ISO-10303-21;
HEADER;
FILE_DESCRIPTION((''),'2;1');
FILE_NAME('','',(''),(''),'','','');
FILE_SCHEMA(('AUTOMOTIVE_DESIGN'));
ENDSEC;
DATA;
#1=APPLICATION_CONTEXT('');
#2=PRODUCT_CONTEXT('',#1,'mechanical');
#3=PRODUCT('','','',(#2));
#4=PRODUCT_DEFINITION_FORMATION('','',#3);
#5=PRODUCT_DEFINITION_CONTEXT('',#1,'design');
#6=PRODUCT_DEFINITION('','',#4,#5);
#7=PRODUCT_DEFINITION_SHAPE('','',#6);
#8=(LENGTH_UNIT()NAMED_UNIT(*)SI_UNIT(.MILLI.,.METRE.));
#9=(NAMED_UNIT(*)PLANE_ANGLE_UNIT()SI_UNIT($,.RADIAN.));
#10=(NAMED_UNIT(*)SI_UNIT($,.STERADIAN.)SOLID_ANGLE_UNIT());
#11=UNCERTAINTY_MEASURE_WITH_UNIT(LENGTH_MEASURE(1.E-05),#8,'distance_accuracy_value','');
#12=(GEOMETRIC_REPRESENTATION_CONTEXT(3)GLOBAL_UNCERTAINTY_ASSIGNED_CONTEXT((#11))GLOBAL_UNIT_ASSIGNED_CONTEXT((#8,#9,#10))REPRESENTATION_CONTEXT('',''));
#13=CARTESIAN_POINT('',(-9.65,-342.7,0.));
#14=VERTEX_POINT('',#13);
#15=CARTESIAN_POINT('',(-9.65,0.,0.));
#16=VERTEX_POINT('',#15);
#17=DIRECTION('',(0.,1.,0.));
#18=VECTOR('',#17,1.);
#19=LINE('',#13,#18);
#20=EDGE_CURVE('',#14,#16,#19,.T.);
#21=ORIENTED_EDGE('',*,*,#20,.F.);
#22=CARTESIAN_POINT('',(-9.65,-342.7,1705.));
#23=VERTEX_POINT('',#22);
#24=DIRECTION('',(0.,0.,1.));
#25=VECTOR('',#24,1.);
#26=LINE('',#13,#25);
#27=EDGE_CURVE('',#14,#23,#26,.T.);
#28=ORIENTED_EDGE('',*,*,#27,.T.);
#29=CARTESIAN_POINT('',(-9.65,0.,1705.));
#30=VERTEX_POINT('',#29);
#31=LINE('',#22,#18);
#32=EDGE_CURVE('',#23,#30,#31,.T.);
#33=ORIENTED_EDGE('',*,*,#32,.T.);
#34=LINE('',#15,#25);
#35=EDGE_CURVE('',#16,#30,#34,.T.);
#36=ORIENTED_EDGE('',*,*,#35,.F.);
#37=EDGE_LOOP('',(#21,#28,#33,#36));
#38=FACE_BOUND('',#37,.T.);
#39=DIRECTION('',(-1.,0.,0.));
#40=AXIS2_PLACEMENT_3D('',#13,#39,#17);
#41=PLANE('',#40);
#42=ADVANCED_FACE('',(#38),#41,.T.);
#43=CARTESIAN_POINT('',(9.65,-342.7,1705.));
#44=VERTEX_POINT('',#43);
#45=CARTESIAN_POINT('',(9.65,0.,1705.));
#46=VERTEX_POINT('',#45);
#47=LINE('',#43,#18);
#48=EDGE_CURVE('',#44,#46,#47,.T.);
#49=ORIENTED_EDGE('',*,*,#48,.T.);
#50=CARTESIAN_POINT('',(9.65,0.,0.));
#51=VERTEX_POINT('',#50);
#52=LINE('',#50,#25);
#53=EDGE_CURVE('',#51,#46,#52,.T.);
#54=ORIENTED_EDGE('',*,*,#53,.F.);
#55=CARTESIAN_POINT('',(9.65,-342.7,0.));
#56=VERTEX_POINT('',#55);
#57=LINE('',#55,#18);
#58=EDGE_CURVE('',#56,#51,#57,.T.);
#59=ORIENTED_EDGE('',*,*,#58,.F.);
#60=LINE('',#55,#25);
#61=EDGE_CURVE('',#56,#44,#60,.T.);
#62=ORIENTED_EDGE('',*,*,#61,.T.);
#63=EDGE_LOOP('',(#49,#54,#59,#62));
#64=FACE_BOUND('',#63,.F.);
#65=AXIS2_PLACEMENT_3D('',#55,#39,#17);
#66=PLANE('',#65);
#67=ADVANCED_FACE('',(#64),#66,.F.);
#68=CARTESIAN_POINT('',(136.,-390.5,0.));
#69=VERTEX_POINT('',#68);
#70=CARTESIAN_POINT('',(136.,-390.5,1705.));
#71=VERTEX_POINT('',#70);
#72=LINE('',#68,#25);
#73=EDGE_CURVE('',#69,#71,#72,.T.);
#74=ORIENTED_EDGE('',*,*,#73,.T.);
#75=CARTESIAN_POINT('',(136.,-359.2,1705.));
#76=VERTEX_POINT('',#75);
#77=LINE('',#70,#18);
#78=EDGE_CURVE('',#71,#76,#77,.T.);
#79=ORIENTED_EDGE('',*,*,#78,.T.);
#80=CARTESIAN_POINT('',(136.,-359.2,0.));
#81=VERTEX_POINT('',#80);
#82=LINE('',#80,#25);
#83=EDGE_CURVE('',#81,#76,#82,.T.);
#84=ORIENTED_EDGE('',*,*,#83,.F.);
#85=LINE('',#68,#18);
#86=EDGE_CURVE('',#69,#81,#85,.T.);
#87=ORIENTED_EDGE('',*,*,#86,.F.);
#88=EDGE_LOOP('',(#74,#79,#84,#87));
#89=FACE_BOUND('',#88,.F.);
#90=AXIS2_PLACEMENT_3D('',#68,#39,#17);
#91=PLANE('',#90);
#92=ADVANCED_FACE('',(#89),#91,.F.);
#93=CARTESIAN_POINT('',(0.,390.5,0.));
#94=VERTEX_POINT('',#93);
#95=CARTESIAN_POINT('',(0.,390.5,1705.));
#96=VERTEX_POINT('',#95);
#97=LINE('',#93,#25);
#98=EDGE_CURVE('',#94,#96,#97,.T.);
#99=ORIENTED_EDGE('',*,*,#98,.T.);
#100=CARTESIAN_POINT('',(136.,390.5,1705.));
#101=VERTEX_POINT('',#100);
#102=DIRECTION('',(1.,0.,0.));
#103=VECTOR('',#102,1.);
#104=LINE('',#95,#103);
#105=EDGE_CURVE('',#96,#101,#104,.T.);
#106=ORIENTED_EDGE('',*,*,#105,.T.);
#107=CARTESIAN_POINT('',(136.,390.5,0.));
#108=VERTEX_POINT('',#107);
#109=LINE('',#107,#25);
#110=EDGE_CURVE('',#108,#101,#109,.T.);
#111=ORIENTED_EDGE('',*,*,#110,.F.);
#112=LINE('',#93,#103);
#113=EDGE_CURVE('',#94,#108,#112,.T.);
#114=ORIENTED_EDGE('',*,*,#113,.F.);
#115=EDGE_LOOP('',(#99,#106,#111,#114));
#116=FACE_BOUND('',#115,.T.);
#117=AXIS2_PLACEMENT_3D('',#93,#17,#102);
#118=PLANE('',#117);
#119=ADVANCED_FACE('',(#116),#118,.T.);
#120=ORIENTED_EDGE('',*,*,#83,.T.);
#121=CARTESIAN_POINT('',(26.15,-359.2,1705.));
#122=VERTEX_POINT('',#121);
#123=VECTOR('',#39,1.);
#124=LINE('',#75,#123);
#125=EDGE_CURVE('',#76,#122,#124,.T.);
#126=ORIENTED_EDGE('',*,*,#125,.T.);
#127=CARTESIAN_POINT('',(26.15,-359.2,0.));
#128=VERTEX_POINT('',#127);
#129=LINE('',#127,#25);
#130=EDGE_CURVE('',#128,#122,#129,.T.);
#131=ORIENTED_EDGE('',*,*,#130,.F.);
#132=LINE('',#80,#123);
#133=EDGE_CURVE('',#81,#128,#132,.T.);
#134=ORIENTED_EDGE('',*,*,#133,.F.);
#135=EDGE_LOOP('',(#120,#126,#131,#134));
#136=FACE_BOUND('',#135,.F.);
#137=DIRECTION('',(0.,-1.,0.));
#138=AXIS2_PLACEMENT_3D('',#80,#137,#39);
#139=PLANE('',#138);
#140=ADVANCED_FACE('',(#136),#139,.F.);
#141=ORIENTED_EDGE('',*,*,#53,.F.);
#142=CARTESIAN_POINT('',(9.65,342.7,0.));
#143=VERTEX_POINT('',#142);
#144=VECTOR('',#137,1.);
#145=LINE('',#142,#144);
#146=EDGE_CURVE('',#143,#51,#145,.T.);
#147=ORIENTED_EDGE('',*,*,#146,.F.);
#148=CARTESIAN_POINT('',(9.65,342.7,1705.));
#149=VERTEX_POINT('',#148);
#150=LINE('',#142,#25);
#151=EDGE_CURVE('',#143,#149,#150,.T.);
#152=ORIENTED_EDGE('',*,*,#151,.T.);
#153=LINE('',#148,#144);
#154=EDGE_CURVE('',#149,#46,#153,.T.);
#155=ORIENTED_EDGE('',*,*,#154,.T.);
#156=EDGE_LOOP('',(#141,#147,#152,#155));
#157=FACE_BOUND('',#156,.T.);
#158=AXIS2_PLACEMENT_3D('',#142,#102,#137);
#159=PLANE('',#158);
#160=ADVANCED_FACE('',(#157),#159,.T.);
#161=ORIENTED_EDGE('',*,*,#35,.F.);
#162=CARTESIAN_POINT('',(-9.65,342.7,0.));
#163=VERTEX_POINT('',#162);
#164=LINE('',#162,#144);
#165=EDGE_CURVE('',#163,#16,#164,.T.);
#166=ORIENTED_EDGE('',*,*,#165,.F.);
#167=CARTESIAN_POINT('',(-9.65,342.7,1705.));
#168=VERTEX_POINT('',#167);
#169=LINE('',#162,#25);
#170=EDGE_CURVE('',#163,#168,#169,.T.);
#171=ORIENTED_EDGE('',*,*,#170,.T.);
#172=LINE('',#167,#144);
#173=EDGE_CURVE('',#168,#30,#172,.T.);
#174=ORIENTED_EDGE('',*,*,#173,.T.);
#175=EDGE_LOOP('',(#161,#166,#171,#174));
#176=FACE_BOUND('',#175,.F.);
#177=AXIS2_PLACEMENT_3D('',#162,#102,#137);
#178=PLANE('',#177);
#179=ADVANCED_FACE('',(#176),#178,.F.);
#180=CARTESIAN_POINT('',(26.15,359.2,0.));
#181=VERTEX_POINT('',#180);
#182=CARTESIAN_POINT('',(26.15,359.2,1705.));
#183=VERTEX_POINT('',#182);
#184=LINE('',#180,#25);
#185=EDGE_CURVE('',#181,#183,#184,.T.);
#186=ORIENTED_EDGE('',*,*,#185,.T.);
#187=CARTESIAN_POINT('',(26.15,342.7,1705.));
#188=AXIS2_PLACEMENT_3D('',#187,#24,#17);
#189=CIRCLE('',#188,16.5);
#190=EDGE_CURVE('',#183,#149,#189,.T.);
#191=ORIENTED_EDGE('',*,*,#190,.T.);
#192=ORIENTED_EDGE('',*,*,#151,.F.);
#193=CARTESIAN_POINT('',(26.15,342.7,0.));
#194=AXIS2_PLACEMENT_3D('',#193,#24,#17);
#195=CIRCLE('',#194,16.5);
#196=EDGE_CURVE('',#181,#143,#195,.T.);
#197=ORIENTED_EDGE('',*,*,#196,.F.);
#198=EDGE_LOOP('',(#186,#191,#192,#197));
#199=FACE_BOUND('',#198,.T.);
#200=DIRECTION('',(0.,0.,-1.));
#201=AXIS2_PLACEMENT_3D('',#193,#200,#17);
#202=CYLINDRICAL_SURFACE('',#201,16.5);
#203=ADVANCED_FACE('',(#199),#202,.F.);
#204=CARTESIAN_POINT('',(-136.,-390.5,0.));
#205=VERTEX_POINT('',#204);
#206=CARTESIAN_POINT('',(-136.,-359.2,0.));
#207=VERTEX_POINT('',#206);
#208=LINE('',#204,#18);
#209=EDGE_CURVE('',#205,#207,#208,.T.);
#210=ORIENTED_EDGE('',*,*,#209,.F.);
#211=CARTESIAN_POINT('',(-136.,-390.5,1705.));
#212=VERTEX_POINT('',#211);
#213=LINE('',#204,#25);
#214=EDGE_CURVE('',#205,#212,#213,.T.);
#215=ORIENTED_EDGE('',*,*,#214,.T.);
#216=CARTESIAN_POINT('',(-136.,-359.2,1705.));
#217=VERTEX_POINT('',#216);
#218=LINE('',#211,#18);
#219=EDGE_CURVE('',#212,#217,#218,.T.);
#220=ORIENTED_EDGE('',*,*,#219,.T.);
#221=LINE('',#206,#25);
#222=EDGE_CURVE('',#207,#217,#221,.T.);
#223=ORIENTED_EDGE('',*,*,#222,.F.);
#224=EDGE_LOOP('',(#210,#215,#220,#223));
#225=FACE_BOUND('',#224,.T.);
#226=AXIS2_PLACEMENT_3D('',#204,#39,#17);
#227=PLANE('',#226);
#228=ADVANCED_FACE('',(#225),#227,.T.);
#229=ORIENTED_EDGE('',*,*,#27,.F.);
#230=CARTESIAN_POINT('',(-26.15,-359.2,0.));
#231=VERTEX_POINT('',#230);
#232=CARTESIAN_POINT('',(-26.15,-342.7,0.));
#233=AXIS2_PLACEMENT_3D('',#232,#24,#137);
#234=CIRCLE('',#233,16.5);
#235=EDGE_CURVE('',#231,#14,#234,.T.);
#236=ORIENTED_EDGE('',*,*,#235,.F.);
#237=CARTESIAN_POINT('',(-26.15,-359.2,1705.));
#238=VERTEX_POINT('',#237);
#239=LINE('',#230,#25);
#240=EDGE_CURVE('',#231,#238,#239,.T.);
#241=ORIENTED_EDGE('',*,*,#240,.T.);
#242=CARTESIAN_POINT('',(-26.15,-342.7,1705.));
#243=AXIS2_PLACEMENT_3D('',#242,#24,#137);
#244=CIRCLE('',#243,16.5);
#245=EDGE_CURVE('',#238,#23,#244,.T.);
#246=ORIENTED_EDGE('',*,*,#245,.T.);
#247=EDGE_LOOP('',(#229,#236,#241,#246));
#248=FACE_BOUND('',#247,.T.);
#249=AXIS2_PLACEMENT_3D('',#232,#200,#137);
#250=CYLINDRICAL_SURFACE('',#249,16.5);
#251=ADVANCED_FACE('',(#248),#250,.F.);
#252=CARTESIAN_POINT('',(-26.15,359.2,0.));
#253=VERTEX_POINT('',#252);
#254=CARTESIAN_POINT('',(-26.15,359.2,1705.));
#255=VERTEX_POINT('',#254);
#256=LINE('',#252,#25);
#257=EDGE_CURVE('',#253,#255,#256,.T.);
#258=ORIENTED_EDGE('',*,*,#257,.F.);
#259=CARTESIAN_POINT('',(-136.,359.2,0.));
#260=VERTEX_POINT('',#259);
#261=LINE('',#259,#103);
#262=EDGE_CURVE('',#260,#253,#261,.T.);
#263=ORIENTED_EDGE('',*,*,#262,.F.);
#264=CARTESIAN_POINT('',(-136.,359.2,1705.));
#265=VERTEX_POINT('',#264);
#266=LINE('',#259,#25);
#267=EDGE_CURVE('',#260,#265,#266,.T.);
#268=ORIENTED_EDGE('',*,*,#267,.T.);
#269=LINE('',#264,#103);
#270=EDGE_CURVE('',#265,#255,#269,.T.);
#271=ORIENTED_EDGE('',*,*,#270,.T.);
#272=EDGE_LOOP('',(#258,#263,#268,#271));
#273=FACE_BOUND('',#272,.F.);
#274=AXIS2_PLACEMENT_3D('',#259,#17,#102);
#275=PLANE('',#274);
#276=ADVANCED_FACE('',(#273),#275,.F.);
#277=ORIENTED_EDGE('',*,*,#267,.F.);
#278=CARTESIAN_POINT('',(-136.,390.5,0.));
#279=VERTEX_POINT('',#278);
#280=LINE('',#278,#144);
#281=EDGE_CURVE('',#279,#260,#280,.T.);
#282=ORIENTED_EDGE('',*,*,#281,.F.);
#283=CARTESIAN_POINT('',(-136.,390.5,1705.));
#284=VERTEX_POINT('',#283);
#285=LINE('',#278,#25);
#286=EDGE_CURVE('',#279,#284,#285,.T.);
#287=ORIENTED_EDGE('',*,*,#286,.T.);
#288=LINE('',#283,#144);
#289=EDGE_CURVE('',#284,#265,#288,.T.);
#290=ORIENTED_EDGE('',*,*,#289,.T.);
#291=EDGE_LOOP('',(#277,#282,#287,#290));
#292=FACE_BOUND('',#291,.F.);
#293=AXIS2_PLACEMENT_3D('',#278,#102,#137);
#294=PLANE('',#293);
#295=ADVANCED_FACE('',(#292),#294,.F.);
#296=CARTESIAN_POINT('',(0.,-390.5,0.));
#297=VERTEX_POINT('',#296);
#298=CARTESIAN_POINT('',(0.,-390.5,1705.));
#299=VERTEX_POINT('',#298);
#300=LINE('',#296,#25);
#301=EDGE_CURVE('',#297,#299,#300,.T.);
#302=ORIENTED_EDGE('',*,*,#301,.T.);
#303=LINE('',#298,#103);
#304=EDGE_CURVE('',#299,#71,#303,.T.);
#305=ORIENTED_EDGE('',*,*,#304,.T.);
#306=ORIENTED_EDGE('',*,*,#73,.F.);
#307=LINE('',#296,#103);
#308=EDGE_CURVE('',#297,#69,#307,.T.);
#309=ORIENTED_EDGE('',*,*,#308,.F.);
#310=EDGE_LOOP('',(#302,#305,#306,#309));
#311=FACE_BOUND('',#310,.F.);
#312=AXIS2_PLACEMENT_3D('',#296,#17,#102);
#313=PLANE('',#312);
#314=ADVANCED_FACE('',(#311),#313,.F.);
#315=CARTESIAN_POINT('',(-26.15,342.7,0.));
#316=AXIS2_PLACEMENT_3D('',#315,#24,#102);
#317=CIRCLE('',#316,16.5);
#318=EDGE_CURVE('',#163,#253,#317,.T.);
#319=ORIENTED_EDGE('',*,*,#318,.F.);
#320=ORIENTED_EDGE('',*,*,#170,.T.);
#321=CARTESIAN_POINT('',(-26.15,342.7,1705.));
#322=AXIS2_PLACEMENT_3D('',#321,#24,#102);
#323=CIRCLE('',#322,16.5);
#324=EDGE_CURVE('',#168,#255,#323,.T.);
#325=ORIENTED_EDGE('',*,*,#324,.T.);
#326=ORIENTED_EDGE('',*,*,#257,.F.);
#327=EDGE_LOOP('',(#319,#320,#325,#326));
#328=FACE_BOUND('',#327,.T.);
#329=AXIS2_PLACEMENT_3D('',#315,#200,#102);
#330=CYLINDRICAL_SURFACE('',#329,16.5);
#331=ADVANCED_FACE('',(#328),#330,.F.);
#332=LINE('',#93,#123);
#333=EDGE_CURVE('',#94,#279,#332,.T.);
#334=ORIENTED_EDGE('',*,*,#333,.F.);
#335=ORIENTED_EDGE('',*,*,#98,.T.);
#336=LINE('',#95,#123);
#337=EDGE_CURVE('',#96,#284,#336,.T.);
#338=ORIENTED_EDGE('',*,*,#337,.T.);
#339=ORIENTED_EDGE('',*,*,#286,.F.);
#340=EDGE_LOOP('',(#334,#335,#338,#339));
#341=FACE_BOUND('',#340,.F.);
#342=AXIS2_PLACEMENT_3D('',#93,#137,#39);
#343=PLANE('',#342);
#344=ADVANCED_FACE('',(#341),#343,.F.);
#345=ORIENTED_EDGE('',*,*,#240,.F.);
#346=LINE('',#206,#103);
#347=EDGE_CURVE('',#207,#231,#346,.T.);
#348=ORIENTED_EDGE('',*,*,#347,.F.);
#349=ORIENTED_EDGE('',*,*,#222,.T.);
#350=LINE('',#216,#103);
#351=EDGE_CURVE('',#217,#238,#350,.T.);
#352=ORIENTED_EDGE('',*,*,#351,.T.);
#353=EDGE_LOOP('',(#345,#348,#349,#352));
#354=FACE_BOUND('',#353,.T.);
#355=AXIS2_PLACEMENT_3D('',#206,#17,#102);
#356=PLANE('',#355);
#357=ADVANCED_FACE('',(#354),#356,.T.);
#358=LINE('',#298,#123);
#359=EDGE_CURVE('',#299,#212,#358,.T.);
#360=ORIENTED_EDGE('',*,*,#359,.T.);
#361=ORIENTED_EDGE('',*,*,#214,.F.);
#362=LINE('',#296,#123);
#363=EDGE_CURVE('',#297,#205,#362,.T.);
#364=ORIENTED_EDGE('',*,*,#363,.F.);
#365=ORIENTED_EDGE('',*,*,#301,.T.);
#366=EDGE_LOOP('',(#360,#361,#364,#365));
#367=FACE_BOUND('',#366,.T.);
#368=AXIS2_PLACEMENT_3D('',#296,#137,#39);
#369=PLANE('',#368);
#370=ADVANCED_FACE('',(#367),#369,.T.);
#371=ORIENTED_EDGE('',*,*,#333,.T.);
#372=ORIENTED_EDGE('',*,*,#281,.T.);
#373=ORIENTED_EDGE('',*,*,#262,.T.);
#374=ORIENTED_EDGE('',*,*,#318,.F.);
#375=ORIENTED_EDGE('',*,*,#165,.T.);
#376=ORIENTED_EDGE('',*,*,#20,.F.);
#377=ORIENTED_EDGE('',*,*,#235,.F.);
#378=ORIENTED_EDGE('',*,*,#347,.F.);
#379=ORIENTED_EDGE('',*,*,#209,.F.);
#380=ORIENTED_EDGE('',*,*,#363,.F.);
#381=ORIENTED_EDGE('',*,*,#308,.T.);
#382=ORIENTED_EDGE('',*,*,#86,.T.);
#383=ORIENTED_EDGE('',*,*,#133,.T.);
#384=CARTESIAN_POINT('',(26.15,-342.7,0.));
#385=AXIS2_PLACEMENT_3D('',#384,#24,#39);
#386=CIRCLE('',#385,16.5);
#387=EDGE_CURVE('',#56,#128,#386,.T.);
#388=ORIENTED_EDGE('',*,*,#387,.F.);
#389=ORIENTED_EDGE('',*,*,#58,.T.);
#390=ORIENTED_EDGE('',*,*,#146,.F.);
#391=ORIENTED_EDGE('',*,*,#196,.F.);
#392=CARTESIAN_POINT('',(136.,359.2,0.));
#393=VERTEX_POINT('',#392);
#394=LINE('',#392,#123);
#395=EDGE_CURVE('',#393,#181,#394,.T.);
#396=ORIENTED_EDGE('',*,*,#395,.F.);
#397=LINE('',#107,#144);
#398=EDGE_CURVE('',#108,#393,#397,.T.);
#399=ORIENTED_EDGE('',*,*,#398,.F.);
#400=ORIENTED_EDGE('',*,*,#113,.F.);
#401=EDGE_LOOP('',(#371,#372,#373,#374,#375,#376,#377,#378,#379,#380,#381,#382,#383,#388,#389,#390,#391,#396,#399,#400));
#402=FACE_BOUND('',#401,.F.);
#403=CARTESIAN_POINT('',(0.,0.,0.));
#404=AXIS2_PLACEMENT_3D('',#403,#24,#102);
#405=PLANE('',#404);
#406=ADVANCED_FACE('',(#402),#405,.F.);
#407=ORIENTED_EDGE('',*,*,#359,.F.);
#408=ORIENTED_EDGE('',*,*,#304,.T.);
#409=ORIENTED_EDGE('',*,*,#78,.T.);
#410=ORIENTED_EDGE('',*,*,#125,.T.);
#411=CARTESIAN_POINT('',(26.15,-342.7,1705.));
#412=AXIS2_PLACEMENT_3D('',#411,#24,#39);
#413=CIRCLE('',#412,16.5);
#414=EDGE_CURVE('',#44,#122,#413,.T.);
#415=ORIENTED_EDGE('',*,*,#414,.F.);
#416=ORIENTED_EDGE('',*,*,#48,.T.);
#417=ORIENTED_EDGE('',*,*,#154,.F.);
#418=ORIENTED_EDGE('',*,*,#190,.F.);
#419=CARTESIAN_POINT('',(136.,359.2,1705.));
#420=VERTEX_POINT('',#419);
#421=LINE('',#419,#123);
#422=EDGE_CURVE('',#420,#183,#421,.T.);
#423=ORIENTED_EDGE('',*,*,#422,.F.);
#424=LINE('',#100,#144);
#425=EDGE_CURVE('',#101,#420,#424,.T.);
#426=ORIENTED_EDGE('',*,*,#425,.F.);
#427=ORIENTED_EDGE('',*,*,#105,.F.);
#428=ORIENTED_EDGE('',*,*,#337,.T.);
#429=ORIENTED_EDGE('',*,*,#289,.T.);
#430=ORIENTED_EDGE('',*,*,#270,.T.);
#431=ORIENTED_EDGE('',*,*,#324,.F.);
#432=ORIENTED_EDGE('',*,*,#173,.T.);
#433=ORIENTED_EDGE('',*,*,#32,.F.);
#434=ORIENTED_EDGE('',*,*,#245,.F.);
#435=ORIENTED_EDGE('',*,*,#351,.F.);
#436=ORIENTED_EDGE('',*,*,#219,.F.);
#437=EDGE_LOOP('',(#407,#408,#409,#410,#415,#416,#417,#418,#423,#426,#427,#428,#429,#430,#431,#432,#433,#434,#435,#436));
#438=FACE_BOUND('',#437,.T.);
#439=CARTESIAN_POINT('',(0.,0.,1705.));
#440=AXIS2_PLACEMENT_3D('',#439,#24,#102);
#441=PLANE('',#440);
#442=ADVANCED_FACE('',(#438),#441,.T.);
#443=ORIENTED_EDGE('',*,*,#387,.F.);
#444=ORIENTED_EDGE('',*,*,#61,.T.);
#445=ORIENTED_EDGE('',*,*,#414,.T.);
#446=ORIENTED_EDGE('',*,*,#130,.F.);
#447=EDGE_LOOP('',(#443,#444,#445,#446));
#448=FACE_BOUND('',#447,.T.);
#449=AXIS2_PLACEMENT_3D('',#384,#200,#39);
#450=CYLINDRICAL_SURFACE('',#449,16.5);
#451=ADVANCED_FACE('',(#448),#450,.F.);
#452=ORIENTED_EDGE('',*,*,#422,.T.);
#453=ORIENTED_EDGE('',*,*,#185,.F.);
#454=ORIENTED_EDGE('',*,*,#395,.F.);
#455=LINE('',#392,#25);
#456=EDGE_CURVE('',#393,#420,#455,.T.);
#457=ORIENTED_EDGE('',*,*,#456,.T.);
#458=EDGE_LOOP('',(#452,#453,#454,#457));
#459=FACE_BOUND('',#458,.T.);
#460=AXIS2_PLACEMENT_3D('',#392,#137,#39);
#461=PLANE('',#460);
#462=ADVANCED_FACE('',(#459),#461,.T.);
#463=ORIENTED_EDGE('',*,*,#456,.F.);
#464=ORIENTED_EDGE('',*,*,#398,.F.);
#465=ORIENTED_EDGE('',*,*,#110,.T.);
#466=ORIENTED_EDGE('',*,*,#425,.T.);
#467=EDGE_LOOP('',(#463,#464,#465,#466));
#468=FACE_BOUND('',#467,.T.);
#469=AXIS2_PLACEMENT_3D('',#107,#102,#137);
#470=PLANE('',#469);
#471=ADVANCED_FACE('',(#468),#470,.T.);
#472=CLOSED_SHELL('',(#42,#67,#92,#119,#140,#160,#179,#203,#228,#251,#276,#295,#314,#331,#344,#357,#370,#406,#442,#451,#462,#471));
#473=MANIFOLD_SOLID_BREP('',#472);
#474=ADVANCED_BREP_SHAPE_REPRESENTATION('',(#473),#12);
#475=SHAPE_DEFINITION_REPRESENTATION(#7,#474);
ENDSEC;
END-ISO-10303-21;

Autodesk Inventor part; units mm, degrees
ref_plane "YZ Plane" through (0, 0, 0) normal (1, 0, 0) x (0, 1, 0)
ref_plane "Start plane" through (0, 0, 0) normal (0, 0, 1) x (1, 0, 0)
ref_plane "End plane" through (0, 0, 1705) normal (0, 0, 1) x (1, 0, 0)
sketch "Sketch" plane through (0, 0, 0) normal (0, 0, 1) x (1, 0, 0)
  line L0 (-136, -390.5) -> (-136, -359.2)
  line L1 (-136, -359.2) -> (-26.15, -359.2)
  line L2 (-9.65, -342.7) -> (-9.65, 0)
  line L3 (-9.65, 0) -> (0, 0) construction
  line L4 (0, 0) -> (0, -390.5) construction
  line L5 (0, -390.5) -> (-136, -390.5)
  line L6 (-60, 0) -> (80, 0) construction
  line L7 (0, -60) -> (0, 80) construction
  line L8 (136, -390.5) -> (136, -359.2)
  line L9 (136, -359.2) -> (26.15, -359.2)
  line L10 (9.65, -342.7) -> (9.65, 0)
  line L11 (9.65, 0) -> (0, 0) construction
  line L12 (0, -390.5) -> (136, -390.5)
  line L13 (-136, 390.5) -> (-136, 359.2)
  line L14 (-136, 359.2) -> (-26.15, 359.2)
  line L15 (-9.65, 342.7) -> (-9.65, 0)
  line L16 (0, 390.5) -> (-136, 390.5)
  line L17 (136, 390.5) -> (136, 359.2)
  line L18 (136, 359.2) -> (26.15, 359.2)
  line L19 (0, 390.5) -> (136, 390.5)
  line L20 (9.65, 342.7) -> (9.65, 0)
  arc A0 (-9.65, 342.7) -> (-26.15, 359.2) centre (-26.15, 342.7) ccw
  arc A1 (26.15, 359.2) -> (9.65, 342.7) centre (26.15, 342.7) ccw
  arc A2 (9.65, -342.7) -> (26.15, -359.2) centre (26.15, -342.7) ccw
  arc A3 (-26.15, -359.2) -> (-9.65, -342.7) centre (-26.15, -342.7) ccw
  line L21 (0, 108) -> (0, -88) construction
  line L22 (-88, 0) -> (108, 0) construction
  point P0 (-9.65, -359.2)
  point P1 (9.65, -359.2)
  point P2 (-9.65, 359.2)
  point P3 (9.65, 359.2)
  dimension "d1" = 390.5
  dimension "d2" = 31.3
  dimension "d3" = 136
  dimension "d4" = 9.65
  dimension "d10" = 16.5
extrude "Body" add sketch "Sketch" along normal up to surface (1705 mm away) from surface at 0
sketch "Sketch4" plane through (0, 0, 0) normal (0, 0, 1) x (1, 0, 0)
  line L0 (0, 0) -> (10, 0)
ref_plane "Work Plane3" through (0, 0, 0) normal (0, -1, 0) x (1, 0, 0)
sketch "Sketch5" plane through (0, 0, 0) normal (0, -1, 0) x (1, 0, 0)
  line L0 (-2, 0) -> (12, 0) projected
  line L1 (-2, 1705) -> (12, 1705) projected
  dimension "d14" = 1705
equation "\"d1\" = 0.5 * G_H"
equation "\"d2\" = G_T1"
equation "\"d3\" = 0.5 * G_W"
equation "\"d4\" = 0.5 * G_T"
equation "\"d10\" = G_IR"
equation "\"d5\" = G_L"
equation "\"G_W\" = 272"
equation "\"G_H\" = 781"
equation "\"G_T\" = 19.3"
equation "\"G_T1\" = 31.3"
equation "\"G_IR\" = 16.5"
equation "\"G_L\" = d14"
equation "\"G_OFFSET_START\" = 0"
equation "\"G_OFFSET_END\" = 0"
equation "\"d12\" = G_OFFSET_END + B_L"
equation "\"B_L\" = 1705"
properties part number "AS 3679-1990 - 760 UB - 244 - 1705" material "Steel, Mild"
